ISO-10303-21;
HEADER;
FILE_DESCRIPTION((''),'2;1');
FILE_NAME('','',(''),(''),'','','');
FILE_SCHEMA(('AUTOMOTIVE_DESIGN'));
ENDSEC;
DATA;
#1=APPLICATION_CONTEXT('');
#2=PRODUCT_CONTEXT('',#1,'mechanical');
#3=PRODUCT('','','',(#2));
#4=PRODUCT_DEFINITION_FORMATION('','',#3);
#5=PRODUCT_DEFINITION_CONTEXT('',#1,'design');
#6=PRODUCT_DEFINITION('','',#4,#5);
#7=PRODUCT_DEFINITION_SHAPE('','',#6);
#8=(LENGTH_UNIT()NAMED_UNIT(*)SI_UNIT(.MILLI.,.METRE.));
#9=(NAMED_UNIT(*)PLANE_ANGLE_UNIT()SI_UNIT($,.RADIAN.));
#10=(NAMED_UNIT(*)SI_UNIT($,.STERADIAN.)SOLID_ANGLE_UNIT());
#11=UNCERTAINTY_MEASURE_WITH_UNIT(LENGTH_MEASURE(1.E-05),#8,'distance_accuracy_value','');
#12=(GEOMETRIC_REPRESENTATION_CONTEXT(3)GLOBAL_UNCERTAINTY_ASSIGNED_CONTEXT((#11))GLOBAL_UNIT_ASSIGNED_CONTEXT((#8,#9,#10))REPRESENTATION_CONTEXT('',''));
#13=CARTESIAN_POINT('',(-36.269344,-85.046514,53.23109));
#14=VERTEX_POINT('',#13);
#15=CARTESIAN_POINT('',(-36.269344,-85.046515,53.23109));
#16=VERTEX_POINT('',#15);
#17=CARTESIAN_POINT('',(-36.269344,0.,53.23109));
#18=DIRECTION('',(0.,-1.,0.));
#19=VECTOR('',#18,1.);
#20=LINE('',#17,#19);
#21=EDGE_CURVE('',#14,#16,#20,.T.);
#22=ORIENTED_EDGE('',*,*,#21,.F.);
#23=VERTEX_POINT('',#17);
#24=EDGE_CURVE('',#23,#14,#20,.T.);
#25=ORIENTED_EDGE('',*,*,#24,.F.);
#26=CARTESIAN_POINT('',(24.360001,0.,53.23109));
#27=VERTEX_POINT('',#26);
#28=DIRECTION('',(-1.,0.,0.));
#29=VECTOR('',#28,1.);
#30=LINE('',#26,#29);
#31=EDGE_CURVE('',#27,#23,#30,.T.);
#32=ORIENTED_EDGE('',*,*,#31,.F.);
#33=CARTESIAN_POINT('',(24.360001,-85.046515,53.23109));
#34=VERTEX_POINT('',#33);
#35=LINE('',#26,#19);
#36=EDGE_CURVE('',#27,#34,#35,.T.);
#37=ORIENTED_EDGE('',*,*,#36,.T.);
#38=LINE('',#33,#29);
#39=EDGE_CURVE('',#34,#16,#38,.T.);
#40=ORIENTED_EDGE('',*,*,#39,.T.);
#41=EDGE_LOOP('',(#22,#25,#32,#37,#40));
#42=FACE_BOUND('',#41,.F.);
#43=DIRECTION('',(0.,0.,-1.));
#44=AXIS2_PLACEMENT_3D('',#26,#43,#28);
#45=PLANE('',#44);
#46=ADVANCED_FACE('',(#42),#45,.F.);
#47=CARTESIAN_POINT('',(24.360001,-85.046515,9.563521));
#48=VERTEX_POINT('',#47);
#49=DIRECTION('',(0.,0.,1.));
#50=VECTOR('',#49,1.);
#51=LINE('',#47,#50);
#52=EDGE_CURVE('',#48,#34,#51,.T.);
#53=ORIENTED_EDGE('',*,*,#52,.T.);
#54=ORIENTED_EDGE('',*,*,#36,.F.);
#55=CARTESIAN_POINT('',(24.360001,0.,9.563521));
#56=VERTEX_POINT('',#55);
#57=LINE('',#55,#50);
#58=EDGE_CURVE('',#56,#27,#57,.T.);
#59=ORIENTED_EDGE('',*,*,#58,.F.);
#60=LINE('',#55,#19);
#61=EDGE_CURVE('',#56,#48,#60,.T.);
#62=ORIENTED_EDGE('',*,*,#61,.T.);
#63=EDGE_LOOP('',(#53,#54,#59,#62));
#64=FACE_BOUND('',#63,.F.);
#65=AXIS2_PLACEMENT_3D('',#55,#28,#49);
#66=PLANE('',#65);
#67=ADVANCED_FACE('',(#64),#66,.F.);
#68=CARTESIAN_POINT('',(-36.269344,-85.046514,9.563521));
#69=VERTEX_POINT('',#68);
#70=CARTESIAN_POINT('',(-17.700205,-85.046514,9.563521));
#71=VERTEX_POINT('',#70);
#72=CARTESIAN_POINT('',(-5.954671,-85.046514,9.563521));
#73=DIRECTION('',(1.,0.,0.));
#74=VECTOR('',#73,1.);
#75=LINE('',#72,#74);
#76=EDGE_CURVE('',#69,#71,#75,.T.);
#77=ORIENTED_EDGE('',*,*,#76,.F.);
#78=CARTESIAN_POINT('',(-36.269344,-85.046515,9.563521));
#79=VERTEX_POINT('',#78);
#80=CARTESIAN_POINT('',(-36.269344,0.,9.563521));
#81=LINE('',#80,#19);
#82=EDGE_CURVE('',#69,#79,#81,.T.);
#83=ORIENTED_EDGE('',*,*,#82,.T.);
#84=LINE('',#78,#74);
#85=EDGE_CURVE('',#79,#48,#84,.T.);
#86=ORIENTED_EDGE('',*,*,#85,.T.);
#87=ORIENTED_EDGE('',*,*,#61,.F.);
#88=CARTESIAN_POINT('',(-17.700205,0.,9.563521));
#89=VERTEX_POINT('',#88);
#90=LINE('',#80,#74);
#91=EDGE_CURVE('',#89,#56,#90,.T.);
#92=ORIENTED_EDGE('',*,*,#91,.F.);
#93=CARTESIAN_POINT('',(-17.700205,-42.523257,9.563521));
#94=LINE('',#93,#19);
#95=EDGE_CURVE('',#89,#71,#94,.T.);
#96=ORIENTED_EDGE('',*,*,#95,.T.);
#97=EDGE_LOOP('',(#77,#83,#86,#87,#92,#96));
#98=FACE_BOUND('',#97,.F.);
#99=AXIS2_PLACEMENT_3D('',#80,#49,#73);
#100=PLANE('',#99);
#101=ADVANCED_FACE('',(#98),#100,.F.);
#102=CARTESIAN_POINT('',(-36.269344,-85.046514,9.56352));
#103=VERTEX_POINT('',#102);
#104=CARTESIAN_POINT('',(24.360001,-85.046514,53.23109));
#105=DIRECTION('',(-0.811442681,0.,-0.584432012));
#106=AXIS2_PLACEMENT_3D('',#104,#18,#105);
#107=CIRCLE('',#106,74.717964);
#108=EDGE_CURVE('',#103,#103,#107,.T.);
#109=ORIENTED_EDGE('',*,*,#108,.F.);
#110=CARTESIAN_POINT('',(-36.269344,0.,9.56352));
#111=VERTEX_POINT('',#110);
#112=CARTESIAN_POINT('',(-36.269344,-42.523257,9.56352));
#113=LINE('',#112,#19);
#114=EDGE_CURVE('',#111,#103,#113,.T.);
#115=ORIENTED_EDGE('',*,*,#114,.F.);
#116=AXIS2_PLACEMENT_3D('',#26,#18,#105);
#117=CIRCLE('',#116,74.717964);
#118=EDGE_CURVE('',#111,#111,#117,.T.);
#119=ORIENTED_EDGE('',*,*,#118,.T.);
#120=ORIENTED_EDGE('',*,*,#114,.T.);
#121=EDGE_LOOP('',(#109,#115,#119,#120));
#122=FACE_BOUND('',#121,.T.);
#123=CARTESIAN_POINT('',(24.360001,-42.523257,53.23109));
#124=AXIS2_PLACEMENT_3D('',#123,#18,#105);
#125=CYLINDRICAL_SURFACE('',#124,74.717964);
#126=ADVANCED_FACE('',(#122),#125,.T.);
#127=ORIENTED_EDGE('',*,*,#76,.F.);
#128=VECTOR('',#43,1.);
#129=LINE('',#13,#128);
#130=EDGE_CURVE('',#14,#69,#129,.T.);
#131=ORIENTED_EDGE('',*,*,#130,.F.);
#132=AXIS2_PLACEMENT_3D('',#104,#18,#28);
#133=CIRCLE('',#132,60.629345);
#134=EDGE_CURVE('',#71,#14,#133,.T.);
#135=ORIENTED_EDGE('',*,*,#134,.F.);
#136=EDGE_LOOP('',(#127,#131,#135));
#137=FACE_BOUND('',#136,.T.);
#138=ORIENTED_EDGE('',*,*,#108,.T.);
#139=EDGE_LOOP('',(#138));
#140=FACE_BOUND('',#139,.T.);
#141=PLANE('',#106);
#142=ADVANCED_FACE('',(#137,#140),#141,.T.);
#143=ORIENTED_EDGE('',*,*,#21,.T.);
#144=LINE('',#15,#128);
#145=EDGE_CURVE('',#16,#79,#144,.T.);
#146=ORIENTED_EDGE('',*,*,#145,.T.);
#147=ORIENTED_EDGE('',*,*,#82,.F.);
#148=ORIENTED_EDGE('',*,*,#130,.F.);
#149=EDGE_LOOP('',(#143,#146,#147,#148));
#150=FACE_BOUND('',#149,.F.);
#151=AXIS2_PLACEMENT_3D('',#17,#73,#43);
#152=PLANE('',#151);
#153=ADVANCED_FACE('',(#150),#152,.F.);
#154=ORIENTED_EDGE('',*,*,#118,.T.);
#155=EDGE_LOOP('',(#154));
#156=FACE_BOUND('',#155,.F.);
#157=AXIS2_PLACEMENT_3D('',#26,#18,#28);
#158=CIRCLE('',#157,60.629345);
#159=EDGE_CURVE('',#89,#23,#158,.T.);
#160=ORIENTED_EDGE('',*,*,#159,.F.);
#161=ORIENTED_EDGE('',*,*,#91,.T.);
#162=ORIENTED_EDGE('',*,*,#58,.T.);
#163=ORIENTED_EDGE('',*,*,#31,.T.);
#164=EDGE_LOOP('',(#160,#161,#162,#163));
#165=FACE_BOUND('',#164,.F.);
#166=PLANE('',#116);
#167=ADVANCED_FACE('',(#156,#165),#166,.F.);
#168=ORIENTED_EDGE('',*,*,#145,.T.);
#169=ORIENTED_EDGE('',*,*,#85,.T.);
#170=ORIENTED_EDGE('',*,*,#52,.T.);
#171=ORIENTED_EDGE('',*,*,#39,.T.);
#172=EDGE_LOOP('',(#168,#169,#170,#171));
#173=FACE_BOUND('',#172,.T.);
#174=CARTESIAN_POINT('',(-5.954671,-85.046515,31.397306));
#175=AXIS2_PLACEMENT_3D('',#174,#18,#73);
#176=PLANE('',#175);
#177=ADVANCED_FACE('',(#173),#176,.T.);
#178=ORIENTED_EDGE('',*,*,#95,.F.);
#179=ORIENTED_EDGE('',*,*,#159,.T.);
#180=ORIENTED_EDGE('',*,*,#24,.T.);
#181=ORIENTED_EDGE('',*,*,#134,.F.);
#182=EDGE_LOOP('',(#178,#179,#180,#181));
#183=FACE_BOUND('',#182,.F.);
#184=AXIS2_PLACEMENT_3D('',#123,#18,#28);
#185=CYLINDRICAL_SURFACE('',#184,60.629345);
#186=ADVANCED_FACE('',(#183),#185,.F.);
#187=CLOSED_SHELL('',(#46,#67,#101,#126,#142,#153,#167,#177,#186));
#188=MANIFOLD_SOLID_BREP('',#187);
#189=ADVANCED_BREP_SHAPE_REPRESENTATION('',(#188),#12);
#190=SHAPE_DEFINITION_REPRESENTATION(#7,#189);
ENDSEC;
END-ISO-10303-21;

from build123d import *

# Parameters (mm, degrees)
F1_DEPTH  = 85.046515
F1_FACE_W = 85.046514
F1_FACE_H = 43.66757


with BuildPart() as f1:
    # F0 (on Front) → F1 (new body)
    with BuildSketch(Plane.XZ):
        Polygon((-36.269344, 9.563521), (10.285333, 9.563521), (24.360001, 9.563521), (24.360001, 53.23109), (-36.269344, 53.23109), align=None)
    extrude(amount=F1_DEPTH)

    # F1_face (on face) → F2 (revolve)
    with BuildSketch(Plane(origin=(-36.269344, -42.523257, 31.397305), x_dir=(0, -1, 0), z_dir=(-1, 0, 0))):
        Rectangle(F1_FACE_W, F1_FACE_H)
    revolve(axis=Axis((24.360001, -42.523257, 53.23109), (0, -1, 0)))


solid = f1.part
